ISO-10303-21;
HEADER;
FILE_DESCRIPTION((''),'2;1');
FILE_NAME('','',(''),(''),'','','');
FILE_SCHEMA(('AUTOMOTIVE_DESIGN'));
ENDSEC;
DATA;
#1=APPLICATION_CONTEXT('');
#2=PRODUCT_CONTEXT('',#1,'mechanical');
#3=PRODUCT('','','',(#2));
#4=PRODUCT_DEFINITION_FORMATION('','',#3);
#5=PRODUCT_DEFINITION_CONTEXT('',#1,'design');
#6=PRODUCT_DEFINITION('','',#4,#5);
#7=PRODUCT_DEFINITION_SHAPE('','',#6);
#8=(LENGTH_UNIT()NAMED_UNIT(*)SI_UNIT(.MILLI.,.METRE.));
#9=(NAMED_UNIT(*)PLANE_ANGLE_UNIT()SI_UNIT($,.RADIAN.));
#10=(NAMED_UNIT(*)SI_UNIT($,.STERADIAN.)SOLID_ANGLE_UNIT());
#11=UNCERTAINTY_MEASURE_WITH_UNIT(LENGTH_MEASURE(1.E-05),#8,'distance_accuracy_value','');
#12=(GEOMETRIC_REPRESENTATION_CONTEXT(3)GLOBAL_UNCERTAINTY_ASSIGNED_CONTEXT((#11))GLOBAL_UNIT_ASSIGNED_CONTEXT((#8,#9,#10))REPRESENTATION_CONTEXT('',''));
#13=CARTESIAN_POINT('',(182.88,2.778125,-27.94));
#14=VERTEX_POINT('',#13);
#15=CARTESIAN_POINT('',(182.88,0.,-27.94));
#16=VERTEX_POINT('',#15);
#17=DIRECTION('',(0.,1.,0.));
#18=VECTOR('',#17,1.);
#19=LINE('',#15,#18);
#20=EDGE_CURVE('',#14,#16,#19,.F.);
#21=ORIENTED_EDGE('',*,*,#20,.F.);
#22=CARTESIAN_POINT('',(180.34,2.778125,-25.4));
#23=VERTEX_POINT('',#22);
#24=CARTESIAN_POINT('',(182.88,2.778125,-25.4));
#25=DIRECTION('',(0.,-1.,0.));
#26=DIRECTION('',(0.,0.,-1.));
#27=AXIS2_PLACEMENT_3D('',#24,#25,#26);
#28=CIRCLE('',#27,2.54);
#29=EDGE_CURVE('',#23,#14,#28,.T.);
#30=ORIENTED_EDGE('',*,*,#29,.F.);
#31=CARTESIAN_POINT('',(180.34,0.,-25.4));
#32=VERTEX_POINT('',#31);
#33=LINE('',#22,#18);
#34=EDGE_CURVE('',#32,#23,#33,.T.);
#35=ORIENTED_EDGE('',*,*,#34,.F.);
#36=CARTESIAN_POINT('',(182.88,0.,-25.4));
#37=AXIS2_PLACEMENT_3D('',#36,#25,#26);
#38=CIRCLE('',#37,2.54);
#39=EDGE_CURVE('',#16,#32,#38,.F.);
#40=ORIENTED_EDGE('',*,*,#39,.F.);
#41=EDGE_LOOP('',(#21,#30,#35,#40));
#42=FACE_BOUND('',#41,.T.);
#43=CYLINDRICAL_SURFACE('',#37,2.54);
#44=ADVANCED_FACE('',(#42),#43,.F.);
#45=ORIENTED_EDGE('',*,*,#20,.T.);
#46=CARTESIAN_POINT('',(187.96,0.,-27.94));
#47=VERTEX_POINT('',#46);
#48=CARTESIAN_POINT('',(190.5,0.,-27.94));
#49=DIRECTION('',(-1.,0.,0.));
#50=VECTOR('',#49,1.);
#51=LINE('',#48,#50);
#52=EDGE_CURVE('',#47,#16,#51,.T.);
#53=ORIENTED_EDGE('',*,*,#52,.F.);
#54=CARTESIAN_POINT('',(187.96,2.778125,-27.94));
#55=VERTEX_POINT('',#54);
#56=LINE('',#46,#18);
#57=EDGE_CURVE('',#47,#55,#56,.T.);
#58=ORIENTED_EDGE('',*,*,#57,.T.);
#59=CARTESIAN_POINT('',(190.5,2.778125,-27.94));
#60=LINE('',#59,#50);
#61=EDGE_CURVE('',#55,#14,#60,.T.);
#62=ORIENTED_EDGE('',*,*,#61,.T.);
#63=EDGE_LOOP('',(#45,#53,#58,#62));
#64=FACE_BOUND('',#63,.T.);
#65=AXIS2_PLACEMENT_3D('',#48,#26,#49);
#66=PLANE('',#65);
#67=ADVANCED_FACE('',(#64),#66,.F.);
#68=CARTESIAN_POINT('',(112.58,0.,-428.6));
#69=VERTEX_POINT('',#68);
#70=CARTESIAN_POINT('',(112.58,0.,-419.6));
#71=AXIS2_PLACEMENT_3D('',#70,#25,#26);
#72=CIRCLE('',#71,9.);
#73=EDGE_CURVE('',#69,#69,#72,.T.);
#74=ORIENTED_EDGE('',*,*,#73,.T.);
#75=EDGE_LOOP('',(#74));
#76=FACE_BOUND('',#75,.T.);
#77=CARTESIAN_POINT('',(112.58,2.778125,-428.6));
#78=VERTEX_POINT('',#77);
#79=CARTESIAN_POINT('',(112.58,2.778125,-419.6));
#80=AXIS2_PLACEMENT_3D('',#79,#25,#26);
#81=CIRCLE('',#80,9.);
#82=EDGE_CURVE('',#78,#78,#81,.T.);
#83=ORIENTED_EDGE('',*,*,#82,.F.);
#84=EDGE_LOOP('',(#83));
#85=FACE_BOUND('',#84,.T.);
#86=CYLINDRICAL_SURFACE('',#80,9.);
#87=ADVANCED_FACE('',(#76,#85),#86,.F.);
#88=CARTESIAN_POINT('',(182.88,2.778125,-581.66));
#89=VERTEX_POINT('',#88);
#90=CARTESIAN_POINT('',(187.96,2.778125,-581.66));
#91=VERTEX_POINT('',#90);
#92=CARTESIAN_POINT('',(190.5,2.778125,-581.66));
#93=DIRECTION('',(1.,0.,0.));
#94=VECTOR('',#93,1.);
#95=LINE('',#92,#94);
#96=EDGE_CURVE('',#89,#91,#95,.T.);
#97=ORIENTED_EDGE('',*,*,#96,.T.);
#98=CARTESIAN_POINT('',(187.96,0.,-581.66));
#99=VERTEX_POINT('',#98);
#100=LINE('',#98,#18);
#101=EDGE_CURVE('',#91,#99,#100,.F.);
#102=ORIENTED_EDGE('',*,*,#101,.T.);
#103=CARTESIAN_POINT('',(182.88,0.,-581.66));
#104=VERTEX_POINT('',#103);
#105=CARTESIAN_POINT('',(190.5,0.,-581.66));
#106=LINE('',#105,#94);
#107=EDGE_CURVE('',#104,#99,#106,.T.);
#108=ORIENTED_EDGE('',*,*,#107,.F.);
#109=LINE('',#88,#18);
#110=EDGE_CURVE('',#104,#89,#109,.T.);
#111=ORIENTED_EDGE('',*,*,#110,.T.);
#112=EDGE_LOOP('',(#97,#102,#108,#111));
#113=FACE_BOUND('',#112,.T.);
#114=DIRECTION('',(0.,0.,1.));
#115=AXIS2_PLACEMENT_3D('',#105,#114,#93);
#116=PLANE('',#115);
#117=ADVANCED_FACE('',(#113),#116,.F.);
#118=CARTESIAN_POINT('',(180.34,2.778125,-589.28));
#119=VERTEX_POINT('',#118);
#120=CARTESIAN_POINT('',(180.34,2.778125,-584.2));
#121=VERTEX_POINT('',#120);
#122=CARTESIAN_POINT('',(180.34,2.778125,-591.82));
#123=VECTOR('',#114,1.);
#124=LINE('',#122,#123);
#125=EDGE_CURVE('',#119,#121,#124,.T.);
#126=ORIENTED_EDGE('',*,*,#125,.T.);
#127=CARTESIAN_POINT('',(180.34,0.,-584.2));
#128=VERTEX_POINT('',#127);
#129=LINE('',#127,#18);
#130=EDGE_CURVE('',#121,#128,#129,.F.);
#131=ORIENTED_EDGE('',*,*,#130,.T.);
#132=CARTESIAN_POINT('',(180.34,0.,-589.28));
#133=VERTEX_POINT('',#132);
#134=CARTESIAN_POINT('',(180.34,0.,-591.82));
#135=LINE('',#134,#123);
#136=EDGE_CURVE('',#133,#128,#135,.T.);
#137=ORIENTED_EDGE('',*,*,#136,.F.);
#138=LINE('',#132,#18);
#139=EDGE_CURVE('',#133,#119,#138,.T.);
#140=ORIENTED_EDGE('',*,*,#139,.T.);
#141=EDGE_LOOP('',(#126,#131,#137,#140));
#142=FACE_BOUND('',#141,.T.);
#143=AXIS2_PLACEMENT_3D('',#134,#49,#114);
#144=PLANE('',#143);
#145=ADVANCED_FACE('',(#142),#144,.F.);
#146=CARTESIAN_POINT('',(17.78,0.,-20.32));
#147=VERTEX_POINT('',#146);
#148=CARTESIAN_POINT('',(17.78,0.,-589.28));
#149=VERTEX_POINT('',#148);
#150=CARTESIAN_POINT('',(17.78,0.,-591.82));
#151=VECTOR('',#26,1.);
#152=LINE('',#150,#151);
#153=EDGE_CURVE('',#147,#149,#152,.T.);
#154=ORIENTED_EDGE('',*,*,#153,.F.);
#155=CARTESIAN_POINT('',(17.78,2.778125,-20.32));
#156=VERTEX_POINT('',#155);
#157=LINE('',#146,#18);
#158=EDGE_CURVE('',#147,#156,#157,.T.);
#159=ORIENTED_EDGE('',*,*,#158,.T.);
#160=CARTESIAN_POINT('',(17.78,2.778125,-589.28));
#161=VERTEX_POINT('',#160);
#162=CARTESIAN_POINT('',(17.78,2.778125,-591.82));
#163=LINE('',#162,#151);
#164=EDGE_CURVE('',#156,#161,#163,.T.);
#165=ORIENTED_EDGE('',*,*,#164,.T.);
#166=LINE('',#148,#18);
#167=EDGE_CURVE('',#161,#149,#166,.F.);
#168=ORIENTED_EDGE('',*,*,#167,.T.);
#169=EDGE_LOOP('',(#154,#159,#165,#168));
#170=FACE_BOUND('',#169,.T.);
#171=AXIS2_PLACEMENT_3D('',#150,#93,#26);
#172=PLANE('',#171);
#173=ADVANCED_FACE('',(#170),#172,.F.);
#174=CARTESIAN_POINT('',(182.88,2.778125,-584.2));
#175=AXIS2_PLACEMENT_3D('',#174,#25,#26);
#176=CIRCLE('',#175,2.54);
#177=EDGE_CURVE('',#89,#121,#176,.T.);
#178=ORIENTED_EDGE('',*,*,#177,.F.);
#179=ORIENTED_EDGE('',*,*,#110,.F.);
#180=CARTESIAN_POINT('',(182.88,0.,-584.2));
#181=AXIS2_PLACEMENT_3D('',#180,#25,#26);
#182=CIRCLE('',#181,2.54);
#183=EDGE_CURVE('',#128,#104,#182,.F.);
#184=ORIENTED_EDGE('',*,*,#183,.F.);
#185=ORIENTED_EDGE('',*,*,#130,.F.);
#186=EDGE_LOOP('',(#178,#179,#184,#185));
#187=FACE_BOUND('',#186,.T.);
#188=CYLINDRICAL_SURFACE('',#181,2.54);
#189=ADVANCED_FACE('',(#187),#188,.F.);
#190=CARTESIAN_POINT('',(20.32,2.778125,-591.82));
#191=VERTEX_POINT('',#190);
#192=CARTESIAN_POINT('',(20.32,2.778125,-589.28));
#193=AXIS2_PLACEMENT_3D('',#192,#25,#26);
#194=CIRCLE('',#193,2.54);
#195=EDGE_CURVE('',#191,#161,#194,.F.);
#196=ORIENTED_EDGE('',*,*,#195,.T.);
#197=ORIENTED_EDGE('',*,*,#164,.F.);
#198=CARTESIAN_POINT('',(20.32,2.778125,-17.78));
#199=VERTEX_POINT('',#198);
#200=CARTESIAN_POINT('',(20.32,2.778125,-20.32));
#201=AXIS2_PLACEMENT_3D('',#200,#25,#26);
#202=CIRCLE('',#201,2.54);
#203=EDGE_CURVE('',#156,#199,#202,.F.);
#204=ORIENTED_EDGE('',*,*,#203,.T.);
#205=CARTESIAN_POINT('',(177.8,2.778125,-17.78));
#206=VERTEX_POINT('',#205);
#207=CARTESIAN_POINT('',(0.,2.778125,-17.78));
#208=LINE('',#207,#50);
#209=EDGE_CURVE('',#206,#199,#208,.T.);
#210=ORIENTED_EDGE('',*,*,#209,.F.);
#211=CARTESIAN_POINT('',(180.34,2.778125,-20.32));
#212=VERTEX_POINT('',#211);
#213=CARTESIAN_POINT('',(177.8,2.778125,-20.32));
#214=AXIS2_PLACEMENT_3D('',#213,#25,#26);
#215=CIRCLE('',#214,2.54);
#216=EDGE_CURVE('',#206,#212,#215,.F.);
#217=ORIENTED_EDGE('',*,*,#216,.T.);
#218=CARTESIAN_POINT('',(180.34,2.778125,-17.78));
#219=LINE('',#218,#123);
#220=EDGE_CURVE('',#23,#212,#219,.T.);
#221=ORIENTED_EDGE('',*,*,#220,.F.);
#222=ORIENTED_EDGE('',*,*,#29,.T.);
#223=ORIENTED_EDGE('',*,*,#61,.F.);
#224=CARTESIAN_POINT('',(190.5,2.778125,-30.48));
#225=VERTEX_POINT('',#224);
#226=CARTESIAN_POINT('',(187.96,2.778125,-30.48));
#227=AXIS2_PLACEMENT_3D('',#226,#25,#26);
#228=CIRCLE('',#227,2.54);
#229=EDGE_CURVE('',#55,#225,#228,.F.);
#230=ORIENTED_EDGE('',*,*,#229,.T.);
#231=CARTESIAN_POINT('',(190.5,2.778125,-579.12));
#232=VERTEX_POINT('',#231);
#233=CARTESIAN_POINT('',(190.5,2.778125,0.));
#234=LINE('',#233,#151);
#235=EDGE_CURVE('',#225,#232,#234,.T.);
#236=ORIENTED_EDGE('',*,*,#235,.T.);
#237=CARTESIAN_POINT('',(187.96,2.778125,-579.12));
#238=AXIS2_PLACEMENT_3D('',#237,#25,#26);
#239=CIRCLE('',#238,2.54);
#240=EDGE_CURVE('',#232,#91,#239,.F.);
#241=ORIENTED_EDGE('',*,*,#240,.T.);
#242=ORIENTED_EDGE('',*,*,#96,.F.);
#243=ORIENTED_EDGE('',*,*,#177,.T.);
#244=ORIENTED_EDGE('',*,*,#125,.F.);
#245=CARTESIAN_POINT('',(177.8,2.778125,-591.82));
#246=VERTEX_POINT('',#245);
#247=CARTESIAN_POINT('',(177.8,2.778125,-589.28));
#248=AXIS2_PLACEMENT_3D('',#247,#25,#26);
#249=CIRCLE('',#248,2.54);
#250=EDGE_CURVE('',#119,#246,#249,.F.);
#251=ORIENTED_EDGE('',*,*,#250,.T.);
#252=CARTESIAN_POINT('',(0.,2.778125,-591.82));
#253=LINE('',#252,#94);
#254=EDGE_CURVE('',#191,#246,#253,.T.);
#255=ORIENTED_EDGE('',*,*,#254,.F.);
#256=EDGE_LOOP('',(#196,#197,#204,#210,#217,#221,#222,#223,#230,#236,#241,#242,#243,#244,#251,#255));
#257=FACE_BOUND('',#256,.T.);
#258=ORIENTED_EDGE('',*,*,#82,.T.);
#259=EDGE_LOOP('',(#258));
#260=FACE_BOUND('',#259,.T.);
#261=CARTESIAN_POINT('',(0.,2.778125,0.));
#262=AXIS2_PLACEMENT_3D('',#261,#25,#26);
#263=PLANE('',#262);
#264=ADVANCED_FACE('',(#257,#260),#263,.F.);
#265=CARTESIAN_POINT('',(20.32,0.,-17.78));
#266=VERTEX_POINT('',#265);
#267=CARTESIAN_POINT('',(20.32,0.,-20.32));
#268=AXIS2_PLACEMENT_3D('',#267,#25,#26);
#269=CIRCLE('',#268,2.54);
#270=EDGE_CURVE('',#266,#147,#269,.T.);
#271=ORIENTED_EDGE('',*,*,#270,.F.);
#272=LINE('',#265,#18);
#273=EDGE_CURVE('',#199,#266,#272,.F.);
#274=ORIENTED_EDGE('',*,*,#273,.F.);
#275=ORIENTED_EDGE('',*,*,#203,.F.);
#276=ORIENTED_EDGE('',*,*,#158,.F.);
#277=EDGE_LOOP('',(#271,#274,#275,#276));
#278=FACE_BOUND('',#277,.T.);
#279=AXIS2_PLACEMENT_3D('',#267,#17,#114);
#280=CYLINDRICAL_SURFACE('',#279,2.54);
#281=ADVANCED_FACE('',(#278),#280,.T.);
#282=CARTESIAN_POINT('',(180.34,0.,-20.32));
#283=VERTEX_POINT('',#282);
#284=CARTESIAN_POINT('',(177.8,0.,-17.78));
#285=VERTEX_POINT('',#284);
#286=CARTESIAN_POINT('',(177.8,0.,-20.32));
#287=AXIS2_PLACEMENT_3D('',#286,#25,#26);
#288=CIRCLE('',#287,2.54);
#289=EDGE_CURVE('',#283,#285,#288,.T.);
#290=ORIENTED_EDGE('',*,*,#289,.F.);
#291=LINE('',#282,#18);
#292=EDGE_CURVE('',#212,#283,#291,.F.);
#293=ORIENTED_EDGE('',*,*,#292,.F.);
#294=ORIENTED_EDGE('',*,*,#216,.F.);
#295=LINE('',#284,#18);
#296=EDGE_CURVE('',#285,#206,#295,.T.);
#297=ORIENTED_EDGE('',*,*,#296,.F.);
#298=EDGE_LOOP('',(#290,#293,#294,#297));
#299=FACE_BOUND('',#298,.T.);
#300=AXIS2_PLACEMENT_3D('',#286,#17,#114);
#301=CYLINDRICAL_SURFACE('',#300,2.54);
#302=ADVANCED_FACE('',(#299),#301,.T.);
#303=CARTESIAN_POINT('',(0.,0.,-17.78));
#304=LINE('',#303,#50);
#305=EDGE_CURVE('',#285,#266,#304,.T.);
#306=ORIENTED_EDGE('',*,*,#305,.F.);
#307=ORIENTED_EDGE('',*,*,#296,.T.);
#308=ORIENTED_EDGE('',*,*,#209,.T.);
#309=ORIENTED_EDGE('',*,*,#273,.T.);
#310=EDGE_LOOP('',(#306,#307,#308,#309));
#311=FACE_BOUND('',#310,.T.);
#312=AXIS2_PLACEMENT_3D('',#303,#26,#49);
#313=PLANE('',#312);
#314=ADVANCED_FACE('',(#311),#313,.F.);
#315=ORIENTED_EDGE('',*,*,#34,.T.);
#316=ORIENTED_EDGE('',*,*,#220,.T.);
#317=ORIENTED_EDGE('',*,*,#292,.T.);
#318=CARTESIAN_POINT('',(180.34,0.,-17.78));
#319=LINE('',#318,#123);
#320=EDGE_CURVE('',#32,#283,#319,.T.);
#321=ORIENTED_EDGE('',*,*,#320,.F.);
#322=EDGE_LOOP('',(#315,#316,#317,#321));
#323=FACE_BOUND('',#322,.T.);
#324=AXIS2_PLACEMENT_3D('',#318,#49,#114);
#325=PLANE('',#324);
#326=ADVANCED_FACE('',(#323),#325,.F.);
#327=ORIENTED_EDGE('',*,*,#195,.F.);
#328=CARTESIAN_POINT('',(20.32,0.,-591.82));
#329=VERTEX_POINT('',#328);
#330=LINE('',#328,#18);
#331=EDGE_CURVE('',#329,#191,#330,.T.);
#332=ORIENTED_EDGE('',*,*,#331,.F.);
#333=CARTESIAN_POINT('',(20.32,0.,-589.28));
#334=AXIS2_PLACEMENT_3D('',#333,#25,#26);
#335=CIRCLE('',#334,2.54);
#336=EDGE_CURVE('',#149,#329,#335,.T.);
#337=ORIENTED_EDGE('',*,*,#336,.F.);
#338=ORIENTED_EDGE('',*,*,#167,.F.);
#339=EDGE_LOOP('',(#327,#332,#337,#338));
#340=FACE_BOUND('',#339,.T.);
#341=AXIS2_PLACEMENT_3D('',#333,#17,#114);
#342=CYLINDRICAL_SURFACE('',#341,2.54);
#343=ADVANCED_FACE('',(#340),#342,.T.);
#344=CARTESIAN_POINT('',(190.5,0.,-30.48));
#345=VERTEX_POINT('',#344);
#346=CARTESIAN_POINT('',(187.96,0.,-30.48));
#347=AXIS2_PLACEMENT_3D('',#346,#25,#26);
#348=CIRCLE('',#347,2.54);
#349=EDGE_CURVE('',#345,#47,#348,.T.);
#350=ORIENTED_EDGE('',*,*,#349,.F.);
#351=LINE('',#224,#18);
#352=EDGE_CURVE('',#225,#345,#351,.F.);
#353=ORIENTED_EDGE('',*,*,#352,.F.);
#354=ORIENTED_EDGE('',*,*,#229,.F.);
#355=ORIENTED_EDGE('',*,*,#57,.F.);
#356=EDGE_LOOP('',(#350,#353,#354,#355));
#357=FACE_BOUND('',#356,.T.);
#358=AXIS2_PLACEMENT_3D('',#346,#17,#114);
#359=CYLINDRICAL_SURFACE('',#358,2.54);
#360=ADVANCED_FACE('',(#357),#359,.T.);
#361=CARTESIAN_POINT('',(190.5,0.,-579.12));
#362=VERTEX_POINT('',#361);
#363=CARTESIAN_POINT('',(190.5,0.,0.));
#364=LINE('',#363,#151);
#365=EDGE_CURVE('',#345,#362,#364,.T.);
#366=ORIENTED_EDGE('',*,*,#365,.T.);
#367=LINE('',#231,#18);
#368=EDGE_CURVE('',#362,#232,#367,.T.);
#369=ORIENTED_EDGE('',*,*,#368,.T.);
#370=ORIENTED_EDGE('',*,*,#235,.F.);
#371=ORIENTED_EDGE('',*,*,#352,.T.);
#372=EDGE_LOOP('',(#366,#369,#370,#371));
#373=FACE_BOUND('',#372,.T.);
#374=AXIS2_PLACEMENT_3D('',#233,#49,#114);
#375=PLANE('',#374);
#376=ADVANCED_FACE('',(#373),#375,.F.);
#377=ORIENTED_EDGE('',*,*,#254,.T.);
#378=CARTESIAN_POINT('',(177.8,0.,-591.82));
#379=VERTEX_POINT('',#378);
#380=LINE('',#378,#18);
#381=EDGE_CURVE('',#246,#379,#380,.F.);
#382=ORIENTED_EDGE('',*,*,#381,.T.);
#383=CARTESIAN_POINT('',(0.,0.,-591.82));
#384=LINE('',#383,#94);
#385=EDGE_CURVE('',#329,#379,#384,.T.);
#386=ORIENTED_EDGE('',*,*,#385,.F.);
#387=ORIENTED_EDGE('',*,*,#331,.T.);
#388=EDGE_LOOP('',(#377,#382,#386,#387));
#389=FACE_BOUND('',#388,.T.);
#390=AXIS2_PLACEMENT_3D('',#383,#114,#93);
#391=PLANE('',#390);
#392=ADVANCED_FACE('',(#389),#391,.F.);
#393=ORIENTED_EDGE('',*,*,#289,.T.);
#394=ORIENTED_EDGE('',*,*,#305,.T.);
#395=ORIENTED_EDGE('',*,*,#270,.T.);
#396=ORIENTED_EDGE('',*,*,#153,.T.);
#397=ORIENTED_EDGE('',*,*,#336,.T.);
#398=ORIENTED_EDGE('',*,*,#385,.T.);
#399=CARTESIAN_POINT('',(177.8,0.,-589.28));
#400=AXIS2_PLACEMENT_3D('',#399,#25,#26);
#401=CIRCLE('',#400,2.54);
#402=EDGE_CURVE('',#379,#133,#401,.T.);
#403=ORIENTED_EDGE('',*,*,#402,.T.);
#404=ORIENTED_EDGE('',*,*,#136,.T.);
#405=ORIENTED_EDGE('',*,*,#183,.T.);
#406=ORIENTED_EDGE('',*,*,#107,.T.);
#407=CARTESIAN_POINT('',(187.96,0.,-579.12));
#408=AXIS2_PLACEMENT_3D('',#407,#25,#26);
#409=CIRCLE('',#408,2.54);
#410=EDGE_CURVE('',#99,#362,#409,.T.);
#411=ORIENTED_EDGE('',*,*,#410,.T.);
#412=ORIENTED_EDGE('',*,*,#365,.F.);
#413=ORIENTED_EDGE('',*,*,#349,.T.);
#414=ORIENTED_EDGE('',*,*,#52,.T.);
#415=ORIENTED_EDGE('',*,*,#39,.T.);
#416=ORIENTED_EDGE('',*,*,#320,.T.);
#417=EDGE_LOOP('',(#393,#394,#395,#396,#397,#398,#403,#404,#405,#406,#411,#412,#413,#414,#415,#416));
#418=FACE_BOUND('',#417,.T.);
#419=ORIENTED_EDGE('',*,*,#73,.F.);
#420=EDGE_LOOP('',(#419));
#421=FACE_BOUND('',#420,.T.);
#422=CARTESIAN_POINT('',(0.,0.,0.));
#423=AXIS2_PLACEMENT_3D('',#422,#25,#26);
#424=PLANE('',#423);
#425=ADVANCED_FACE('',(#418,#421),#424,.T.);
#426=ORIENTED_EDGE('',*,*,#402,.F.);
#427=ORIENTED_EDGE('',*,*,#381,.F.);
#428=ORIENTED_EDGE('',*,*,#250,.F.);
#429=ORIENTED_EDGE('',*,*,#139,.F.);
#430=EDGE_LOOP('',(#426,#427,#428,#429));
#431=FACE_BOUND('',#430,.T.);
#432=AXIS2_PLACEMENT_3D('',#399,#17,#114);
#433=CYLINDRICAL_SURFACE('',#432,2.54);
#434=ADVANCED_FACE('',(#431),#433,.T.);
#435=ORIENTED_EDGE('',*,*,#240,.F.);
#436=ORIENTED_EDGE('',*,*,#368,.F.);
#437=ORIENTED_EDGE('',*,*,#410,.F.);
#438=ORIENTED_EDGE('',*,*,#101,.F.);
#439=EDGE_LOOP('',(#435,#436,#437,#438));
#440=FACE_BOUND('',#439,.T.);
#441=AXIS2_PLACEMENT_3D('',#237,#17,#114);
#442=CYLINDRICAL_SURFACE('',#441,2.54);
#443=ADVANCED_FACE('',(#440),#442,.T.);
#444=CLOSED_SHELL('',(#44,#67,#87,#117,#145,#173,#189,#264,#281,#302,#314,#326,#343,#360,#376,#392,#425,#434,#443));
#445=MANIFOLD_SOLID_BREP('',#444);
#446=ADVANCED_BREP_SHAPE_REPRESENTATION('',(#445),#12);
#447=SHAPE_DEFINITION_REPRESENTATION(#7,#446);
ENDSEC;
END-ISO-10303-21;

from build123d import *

# Parameters (mm, degrees)
SKETCH1_W           = 190.5
SKETCH1_H           = 609.6
BOSS_EXTRUDE1_DEPTH = 2.778125
SKETCH2_W           = 190.5
SKETCH2_H           = 17.78
CUT_EXTRUDE1_DEPTH  = 3.778125
SKETCH3_W           = 17.78
SKETCH3_H           = 574.04
CUT_EXTRUDE2_DEPTH  = 3.778125
SKETCH4_W           = 10.16
SKETCH4_H           = 10.16
CUT_EXTRUDE3_DEPTH  = 3.778125
FILLET1_R           = 2.54
SKETCH5_R           = 9
CUT_EXTRUDE4_DEPTH  = 3.778125


with BuildPart() as part:
    # Sketch1 → Boss-Extrude1 (new body)
    with BuildSketch(Plane(origin=(0, 0, 0), x_dir=(1, 0, 0), z_dir=(0, 1, 0))):
        with Locations((95.25, 304.8)):
            Rectangle(SKETCH1_W, SKETCH1_H)
    extrude(amount=BOSS_EXTRUDE1_DEPTH)

    # Sketch2 → Cut-Extrude1 (cut, through all)
    with BuildSketch(Plane(origin=(0, 2.778125, 0), x_dir=(1, 0, 0), z_dir=(0, 1, 0))):
        with Locations((95.25, 8.89)):
            Rectangle(SKETCH2_W, SKETCH2_H)
        with Locations((95.25, 600.71)):
            Rectangle(SKETCH2_W, SKETCH2_H)
    extrude(amount=-CUT_EXTRUDE1_DEPTH, mode=Mode.SUBTRACT)

    # Sketch3 → Cut-Extrude2 (cut, through all)
    with BuildSketch(Plane(origin=(0, 2.778125, 0), x_dir=(1, 0, 0), z_dir=(0, 1, 0))):
        with Locations((8.89, 304.8)):
            Rectangle(SKETCH3_W, SKETCH3_H)
    extrude(amount=-CUT_EXTRUDE2_DEPTH, mode=Mode.SUBTRACT)

    # Sketch4 → Cut-Extrude3 (cut, through all)
    with BuildSketch(Plane(origin=(0, 2.778125, 0), x_dir=(1, 0, 0), z_dir=(0, 1, 0))):
        with Locations((185.42, 586.74)):
            Rectangle(SKETCH4_W, SKETCH4_H)
        with Locations((185.42, 22.86)):
            Rectangle(SKETCH4_W, SKETCH4_H)
    extrude(amount=-CUT_EXTRUDE3_DEPTH, mode=Mode.SUBTRACT)

    # Fillet1
    fillet1_edges = [part.edges().sort_by_distance(p)[0] for p in [
        (17.78, 1.3890625, -591.82),
        (17.78, 1.3890625, -17.78),
        (190.5, 1.3890625, -581.66),
        (180.34, 1.3890625, -581.66),
        (180.34, 1.3890625, -591.82),
        (190.5, 1.3890625, -27.94),
        (180.34, 1.3890625, -17.78),
        (180.34, 1.3890625, -27.94),
    ]]
    fillet(fillet1_edges, radius=FILLET1_R)

    # Sketch5 → Cut-Extrude4 (cut, through all)
    with BuildSketch(Plane.XZ):
        with Locations((112.58, -419.599999967)):
            Circle(SKETCH5_R)
    extrude(amount=-CUT_EXTRUDE4_DEPTH, mode=Mode.SUBTRACT)


solid = part.part
